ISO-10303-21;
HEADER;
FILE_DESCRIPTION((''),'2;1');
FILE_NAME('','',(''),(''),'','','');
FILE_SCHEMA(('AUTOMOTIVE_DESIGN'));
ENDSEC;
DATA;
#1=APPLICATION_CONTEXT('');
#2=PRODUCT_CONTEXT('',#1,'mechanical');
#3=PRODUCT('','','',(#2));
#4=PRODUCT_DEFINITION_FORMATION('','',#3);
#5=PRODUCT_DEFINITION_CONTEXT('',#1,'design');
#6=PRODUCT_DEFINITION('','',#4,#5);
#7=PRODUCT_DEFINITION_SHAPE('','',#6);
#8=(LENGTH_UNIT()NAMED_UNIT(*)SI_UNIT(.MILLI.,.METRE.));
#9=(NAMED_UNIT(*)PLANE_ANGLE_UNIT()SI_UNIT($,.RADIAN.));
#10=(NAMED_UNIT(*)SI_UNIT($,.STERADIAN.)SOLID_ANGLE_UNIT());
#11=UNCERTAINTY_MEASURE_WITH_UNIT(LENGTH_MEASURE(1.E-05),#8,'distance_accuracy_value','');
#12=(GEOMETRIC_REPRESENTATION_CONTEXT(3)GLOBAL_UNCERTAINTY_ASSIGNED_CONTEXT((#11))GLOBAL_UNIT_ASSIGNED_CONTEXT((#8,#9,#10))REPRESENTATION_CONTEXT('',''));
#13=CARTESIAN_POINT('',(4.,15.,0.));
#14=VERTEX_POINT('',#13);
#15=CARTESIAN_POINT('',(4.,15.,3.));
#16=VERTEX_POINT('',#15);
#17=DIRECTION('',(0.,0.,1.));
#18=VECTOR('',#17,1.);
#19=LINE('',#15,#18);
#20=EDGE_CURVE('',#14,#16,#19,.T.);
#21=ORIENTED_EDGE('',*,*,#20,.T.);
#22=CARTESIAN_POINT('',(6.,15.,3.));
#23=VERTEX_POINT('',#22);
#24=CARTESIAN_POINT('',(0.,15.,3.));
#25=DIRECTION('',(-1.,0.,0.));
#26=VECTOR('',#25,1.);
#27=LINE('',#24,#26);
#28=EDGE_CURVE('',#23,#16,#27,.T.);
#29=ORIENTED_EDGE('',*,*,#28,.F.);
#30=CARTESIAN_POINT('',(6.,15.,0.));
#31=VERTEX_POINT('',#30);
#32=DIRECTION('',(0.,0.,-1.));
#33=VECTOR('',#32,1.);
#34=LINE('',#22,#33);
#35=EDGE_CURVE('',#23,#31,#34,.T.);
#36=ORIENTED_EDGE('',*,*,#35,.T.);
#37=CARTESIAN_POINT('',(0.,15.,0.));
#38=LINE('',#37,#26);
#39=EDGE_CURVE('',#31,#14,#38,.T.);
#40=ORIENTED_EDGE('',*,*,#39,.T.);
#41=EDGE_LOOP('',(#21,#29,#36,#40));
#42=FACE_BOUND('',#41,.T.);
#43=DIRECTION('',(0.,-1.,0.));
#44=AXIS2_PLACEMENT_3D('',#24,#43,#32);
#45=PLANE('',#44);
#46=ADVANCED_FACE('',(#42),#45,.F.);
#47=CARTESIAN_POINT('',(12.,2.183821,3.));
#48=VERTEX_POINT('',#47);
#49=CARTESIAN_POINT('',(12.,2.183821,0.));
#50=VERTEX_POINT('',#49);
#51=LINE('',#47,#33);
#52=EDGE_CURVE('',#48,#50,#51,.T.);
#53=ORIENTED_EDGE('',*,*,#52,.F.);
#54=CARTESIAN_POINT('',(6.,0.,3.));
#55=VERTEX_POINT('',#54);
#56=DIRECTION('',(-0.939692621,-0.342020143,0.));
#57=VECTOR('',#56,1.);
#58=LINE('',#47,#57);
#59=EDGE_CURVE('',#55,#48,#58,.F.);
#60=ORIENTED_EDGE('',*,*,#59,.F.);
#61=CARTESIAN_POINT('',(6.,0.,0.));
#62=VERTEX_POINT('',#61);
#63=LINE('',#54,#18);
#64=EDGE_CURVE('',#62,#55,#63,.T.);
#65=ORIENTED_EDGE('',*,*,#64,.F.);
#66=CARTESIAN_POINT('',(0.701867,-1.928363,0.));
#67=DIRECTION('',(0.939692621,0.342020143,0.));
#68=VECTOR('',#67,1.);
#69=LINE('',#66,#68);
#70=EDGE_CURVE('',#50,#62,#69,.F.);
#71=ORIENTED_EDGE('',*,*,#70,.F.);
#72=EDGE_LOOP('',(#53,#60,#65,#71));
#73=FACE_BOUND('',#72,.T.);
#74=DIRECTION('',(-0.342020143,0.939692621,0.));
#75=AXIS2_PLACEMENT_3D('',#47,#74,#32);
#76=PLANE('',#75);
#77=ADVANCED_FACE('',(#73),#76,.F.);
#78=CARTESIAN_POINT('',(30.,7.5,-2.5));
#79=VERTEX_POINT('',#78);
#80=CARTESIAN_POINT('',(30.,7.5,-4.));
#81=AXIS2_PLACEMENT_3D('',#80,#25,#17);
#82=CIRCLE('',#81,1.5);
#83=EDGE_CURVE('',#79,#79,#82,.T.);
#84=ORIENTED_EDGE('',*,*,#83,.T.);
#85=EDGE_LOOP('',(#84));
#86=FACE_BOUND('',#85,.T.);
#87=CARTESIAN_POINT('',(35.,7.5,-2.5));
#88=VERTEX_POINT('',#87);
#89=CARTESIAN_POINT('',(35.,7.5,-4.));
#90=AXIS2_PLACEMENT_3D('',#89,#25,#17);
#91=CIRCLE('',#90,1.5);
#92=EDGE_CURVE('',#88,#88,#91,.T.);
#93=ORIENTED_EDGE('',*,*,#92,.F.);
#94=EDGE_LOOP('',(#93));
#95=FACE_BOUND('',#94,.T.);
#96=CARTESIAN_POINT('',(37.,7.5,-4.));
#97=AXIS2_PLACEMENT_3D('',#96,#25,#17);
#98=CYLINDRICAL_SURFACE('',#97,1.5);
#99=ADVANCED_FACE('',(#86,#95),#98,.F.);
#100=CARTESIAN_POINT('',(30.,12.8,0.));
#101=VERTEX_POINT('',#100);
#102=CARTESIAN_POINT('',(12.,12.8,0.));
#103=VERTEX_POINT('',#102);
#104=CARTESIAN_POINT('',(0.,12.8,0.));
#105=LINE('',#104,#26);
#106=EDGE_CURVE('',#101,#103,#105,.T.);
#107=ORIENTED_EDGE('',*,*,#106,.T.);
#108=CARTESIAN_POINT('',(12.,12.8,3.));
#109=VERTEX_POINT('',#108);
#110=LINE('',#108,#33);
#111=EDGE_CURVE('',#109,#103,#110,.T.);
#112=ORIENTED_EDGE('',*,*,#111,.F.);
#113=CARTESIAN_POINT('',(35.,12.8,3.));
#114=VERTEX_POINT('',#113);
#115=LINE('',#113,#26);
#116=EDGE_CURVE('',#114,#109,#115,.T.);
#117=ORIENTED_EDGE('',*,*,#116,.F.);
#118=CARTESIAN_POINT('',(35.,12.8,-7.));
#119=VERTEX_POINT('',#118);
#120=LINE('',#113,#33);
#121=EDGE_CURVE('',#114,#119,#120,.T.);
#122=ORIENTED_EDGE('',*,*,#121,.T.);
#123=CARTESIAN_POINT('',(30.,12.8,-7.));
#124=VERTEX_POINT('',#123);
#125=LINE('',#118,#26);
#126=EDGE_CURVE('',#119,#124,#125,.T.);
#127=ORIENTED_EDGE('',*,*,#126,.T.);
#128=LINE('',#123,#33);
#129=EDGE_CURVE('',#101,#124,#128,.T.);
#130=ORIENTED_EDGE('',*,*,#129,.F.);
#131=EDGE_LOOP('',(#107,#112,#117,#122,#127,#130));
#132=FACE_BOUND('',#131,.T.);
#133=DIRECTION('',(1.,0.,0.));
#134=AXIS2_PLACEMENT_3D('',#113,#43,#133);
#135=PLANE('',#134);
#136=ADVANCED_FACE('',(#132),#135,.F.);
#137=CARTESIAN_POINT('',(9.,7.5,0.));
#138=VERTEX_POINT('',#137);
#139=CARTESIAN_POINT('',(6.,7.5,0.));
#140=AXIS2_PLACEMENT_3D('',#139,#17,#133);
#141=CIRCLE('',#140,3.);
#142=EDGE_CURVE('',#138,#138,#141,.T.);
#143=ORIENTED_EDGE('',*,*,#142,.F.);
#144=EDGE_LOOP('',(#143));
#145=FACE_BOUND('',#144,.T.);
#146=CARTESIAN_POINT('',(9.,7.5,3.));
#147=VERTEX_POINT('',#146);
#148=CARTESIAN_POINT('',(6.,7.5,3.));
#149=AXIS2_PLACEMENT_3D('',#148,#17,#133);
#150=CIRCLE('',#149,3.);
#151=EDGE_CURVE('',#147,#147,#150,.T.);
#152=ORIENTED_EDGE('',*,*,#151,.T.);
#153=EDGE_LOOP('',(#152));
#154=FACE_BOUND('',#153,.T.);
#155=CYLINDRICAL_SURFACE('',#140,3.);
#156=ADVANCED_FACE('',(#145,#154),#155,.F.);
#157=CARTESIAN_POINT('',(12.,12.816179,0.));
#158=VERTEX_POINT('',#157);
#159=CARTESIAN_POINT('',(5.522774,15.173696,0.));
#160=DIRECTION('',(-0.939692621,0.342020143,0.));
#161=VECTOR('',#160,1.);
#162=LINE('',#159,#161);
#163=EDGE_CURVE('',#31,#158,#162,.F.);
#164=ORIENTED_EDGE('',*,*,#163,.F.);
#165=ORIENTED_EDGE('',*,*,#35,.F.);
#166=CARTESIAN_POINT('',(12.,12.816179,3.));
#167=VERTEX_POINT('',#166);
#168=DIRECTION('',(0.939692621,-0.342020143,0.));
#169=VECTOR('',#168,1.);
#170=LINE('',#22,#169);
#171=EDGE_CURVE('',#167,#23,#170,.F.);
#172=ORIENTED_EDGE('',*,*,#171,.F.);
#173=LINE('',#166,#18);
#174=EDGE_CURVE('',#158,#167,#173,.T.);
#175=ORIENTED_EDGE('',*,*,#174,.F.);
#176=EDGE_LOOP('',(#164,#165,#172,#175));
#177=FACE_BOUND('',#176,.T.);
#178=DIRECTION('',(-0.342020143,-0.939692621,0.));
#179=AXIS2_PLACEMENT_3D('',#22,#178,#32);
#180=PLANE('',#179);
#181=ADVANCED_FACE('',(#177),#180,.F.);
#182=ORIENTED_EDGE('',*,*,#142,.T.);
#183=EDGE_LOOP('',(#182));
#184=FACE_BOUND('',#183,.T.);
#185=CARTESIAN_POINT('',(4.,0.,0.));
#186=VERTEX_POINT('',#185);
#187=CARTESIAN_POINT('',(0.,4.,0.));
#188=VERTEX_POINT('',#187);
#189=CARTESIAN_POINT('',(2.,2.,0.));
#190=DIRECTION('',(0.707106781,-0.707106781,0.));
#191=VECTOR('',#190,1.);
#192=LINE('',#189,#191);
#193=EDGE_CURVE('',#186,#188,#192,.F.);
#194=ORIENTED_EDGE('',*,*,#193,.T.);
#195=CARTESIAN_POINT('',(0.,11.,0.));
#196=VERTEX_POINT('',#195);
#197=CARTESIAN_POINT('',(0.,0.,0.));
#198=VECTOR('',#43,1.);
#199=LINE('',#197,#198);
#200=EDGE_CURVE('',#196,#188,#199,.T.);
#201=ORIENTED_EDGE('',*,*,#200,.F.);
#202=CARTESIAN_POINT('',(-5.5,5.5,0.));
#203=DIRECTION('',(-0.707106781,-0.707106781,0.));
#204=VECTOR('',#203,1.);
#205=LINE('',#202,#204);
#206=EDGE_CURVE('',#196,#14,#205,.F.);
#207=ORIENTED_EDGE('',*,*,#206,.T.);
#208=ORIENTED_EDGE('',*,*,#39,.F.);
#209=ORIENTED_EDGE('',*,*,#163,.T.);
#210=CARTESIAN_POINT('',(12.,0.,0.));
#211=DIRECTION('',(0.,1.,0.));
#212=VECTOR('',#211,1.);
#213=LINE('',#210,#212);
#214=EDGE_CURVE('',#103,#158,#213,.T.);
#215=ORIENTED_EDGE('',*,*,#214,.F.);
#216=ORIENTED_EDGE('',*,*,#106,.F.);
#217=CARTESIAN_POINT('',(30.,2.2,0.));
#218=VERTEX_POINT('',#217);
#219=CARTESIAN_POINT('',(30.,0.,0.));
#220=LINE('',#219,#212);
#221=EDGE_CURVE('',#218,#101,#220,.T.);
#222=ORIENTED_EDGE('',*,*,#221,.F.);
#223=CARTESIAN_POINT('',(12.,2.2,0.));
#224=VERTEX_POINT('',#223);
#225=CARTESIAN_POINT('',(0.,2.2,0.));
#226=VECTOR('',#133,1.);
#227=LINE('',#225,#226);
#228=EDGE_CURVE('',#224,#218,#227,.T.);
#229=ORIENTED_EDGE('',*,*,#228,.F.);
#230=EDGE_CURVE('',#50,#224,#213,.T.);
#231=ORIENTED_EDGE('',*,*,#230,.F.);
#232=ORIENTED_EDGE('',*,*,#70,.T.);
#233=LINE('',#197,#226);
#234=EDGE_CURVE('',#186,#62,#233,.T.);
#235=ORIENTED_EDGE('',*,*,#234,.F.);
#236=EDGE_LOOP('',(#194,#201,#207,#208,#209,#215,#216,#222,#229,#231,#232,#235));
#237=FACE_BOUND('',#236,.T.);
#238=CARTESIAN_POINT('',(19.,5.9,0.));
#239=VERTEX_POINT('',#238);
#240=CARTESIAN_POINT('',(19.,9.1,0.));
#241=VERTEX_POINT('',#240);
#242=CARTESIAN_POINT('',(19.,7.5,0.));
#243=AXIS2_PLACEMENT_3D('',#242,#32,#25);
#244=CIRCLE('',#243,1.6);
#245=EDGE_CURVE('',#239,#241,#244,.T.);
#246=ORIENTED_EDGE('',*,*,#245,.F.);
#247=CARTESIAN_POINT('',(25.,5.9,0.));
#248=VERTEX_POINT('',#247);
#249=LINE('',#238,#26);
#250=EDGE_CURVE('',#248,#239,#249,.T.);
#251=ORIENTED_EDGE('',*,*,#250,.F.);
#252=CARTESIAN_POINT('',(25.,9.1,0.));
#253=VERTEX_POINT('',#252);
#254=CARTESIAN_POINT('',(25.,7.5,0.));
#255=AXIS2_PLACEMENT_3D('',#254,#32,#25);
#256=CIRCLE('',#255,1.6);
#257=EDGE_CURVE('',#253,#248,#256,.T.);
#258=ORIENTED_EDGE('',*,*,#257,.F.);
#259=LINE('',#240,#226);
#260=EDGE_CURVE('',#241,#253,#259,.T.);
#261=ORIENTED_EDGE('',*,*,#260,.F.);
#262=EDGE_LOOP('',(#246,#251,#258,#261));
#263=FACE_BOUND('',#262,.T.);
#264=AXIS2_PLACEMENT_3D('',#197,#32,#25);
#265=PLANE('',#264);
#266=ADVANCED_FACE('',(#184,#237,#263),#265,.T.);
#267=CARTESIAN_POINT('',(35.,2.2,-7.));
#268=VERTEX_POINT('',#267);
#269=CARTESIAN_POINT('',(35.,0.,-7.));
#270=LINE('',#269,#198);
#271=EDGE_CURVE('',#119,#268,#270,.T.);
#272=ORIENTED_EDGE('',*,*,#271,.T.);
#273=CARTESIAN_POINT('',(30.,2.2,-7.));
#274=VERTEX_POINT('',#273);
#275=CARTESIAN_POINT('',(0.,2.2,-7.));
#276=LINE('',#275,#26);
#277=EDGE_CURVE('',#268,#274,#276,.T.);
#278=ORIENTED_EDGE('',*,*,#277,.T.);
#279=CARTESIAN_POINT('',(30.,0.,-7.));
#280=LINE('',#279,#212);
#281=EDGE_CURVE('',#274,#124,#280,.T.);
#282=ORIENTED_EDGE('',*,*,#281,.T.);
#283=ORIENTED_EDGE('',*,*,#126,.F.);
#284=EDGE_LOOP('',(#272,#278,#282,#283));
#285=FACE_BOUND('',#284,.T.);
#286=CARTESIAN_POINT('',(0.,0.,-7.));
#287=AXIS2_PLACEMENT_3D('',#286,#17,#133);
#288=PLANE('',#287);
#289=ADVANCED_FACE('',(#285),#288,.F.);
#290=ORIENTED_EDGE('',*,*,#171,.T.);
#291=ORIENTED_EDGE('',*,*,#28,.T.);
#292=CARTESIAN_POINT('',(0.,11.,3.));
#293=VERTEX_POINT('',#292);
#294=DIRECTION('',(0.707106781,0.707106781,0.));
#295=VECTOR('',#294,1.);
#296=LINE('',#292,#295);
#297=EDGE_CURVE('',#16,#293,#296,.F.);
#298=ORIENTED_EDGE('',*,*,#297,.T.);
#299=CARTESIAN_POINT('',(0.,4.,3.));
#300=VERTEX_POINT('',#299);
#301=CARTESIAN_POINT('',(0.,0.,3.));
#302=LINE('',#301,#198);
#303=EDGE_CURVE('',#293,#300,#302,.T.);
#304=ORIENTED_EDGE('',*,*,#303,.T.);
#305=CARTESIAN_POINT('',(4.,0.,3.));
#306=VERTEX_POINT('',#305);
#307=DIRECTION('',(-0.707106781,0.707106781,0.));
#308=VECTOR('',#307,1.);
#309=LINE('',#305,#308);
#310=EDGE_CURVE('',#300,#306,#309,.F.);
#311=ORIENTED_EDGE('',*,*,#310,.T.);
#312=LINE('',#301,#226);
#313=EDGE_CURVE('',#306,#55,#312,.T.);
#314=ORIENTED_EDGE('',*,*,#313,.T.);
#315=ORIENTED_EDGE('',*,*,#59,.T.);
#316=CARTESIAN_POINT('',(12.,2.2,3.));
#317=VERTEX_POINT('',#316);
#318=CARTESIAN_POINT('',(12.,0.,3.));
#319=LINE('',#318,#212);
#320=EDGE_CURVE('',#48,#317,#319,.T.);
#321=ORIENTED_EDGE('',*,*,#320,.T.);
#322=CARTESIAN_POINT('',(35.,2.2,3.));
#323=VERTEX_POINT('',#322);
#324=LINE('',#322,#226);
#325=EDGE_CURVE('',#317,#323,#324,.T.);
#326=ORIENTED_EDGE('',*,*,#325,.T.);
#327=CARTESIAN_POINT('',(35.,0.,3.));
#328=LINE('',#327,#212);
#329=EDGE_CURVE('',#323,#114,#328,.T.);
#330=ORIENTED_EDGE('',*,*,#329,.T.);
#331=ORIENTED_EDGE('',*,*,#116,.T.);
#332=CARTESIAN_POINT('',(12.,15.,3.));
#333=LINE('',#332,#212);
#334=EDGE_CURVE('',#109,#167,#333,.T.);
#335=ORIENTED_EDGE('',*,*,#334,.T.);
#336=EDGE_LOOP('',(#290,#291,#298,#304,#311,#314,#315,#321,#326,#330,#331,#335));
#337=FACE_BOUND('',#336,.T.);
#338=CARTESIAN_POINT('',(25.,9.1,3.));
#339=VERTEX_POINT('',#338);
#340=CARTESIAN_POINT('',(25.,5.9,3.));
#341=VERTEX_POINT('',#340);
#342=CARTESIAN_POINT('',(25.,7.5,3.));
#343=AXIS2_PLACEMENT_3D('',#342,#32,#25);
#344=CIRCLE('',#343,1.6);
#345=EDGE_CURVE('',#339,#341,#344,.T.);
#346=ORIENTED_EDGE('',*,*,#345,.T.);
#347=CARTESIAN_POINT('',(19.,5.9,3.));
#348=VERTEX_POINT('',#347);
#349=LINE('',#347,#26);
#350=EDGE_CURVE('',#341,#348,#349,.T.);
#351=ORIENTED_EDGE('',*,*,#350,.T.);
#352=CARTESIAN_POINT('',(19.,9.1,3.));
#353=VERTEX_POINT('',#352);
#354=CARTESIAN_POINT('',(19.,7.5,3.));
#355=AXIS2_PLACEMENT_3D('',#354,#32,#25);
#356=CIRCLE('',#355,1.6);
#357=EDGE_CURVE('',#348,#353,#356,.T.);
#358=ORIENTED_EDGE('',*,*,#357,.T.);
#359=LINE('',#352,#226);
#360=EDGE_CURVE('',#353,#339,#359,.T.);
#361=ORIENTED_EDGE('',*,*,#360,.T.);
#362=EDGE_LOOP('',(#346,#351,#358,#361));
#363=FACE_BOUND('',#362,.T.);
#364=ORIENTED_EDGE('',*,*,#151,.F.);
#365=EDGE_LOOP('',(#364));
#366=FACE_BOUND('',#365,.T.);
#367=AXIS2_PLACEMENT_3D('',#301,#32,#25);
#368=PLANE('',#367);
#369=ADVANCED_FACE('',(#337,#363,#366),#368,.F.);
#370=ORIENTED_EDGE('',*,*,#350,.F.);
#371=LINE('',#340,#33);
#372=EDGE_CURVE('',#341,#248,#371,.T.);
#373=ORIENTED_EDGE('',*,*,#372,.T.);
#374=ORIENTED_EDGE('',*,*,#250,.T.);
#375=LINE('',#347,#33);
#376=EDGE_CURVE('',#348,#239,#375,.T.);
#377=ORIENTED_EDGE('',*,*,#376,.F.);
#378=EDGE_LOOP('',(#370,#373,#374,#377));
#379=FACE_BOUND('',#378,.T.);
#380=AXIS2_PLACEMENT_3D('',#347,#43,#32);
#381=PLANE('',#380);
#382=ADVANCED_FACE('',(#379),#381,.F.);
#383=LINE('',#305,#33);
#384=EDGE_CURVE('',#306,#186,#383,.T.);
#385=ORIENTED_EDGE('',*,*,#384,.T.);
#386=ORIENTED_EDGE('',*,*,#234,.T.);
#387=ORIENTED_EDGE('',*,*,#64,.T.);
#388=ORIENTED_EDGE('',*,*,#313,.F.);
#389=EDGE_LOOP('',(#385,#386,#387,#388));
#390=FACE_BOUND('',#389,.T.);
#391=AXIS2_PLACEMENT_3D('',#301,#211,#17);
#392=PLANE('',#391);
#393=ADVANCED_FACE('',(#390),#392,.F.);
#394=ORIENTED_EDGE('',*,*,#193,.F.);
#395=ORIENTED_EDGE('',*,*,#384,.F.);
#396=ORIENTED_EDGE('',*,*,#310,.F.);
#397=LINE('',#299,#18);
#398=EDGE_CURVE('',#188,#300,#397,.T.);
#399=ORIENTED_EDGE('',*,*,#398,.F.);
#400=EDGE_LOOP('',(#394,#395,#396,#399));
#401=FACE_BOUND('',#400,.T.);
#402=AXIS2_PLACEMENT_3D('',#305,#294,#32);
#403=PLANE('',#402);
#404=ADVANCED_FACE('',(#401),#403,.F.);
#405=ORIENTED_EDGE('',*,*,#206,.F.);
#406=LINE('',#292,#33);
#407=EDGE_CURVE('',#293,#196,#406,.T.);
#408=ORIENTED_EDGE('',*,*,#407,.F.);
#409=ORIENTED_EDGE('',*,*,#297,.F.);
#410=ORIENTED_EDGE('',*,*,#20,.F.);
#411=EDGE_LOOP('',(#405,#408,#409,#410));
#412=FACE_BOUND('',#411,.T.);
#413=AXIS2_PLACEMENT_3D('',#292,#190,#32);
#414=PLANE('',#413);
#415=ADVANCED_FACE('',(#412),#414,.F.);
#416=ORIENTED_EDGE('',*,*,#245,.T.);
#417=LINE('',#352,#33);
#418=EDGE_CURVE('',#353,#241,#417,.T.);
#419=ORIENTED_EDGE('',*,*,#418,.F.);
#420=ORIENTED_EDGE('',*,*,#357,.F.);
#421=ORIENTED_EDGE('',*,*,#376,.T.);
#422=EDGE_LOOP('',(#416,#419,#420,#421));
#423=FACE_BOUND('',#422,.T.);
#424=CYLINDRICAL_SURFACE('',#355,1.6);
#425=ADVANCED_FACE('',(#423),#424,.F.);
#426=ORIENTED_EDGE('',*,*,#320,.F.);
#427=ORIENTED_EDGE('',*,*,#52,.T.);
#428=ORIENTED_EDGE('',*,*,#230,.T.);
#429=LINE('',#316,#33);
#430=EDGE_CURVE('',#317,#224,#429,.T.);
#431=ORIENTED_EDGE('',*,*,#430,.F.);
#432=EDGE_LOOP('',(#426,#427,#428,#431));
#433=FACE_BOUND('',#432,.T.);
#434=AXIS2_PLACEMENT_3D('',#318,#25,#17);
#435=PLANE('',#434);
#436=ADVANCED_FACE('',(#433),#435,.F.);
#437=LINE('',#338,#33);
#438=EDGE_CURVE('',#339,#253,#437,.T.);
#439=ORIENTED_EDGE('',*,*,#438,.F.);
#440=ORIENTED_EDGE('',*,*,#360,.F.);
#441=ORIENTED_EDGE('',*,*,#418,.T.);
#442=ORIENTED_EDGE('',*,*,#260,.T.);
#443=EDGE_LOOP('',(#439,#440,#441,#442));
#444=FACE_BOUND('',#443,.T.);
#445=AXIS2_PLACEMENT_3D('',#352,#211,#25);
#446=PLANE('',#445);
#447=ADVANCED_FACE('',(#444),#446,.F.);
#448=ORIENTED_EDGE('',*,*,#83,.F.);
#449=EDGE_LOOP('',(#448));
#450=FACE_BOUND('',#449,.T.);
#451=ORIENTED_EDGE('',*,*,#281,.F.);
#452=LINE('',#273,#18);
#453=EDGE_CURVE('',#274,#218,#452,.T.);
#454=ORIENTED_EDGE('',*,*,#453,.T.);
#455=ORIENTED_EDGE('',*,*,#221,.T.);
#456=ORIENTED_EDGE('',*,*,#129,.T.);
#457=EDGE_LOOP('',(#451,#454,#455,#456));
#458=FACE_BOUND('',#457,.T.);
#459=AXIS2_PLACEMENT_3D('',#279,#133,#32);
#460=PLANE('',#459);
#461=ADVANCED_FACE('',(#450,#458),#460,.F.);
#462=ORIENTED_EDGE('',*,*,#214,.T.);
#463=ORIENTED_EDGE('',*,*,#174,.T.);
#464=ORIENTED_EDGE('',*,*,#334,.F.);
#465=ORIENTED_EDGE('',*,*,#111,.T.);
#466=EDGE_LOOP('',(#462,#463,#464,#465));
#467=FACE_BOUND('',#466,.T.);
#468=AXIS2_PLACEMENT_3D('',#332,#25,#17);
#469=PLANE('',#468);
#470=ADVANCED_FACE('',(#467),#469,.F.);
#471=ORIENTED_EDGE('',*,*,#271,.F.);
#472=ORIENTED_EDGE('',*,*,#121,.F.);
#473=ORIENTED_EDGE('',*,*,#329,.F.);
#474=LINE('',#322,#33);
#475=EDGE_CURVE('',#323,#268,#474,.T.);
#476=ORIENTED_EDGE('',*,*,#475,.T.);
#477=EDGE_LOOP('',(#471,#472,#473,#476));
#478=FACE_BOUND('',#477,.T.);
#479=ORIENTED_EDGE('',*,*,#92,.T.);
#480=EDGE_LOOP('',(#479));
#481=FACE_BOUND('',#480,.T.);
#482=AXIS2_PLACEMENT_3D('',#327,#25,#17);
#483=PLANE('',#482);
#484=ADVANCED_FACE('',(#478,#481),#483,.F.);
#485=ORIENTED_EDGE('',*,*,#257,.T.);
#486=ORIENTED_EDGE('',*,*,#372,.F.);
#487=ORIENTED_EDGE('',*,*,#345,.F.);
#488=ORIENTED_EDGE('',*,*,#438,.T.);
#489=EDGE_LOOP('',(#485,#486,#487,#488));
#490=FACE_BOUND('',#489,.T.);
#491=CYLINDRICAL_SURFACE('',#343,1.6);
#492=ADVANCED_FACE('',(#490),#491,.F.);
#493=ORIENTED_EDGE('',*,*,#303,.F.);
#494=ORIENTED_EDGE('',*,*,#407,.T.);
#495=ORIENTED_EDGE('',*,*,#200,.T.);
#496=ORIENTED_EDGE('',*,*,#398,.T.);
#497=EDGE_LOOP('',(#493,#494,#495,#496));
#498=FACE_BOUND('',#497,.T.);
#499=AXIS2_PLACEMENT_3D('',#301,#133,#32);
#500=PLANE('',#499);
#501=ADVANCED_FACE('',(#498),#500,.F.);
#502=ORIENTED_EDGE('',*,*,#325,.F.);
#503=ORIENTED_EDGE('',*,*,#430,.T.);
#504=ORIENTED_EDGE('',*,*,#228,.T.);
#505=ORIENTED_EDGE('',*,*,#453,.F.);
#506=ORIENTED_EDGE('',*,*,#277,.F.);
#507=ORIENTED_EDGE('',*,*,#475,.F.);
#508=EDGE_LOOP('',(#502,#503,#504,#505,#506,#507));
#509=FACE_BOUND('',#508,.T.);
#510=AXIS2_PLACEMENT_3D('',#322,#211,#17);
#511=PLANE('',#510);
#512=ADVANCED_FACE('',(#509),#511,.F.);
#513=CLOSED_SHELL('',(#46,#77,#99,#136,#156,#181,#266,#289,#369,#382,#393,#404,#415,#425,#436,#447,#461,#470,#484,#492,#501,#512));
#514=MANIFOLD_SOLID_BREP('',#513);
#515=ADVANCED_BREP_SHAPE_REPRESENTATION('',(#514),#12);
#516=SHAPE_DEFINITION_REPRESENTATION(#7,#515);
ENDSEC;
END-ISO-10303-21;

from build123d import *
from OCP.BRepFilletAPI import BRepFilletAPI_MakeChamfer

# Parameters (mm, degrees)
ESQUISSE1_W             = 35
ESQUISSE1_H             = 15
BOSS_EXTRU_1_DEPTH      = 3
ESQUISSE4_R             = 3
ENL_V_MAT_EXTRU_1_DEPTH = 39.19685851
CHANFREIN1_SIZE         = 4
ENL_V_MAT_EXTRU_2_DEPTH = 39.19685851
ESQUISSE6_W             = 5
ESQUISSE6_H             = 15
BOSS_EXTRU_2_DEPTH      = 7
ESQUISSE7_W             = 23
ESQUISSE7_H             = 2.2
ENL_V_MAT_EXTRU_3_DEPTH = 40.37003937
CHANFREIN2_SIZE         = 6
CHANFREIN2_SIZE2        = 2.183821406
ESQUISSE8_R             = 1.5
ENL_V_MAT_EXTRU_4_DEPTH = 7


with BuildPart() as part:
    # Esquisse1 → Boss.-Extru.1 (new body)
    with BuildSketch(Plane.XY):
        with Locations((17.5, 7.5)):
            Rectangle(ESQUISSE1_W, ESQUISSE1_H)
    extrude(amount=BOSS_EXTRU_1_DEPTH)

    # Esquisse4 → Enlèv. mat.-Extru.1 (cut, through all)
    with BuildSketch(Plane.XY.offset(3)):
        with Locations((6, 7.5)):
            Circle(ESQUISSE4_R)
    extrude(amount=-ENL_V_MAT_EXTRU_1_DEPTH, mode=Mode.SUBTRACT)

    # Chanfrein1
    chanfrein1_edges = [part.edges().sort_by_distance(p)[0] for p in [
        (0, 15, 1.5),
        (0, 0, 1.5),
    ]]
    chamfer(chanfrein1_edges, length=CHANFREIN1_SIZE)

    # Esquisse5 → Enlèv. mat.-Extru.2 (cut, through all)
    with BuildSketch(Plane(origin=(0, 0, 0), x_dir=(-1, 0, 0), z_dir=(0, 0, -1))):
        with BuildLine():
            Line((-19, 5.9), (-25, 5.9))
            ThreePointArc((-25, 5.9), (-26.6, 7.5), (-25, 9.1))
            Line((-25, 9.1), (-19, 9.1))
            ThreePointArc((-19, 9.1), (-17.4, 7.5), (-19, 5.9))
        make_face()
    extrude(amount=-ENL_V_MAT_EXTRU_2_DEPTH, mode=Mode.SUBTRACT)

    # Esquisse6 → Boss.-Extru.2 (add)
    with BuildSketch(Plane(origin=(0, 0, 0), x_dir=(-1, 0, 0), z_dir=(0, 0, -1))):
        with Locations((-32.5, 7.5)):
            Rectangle(ESQUISSE6_W, ESQUISSE6_H)
    extrude(amount=BOSS_EXTRU_2_DEPTH)

    # Esquisse7 → Enlèv. mat.-Extru.3 (cut, through all)
    with BuildSketch(Plane(origin=(0, 0, -7), x_dir=(-1, 0, 0), z_dir=(0, 0, -1))):
        with Locations((-23.5, 1.1)):
            Rectangle(ESQUISSE7_W, ESQUISSE7_H)
        with Locations((-23.5, 13.9)):
            Rectangle(ESQUISSE7_W, ESQUISSE7_H)
    extrude(amount=-ENL_V_MAT_EXTRU_3_DEPTH, mode=Mode.SUBTRACT)

    # Chanfrein2: one chamfer whose edges measure the first distance from different faces: ONE call of the kernel's chamfer builder (chamfer() names one face for all edges)
    chanfrein2_edges_1 = [part.edges().sort_by_distance(p)[0] for p in [
        (12, 0, 1.5),
    ]]
    chanfrein2_side_1 = [part.faces().sort_by_distance(p)[0] for p in [
        (8, 0, 1.5),
    ]]
    chanfrein2_edges_2 = [part.edges().sort_by_distance(p)[0] for p in [
        (12, 15, 1.5),
    ]]
    chanfrein2_side_2 = [part.faces().sort_by_distance(p)[0] for p in [
        (8, 15, 1.5),
    ]]
    chanfrein2 = BRepFilletAPI_MakeChamfer(part.part.solid().wrapped)
    for e in chanfrein2_edges_1:
        chanfrein2.Add(CHANFREIN2_SIZE, CHANFREIN2_SIZE2, e.wrapped, chanfrein2_side_1[0].wrapped)  # the first distance lies on this face
    for e in chanfrein2_edges_2:
        chanfrein2.Add(CHANFREIN2_SIZE, CHANFREIN2_SIZE2, e.wrapped, chanfrein2_side_2[0].wrapped)  # the first distance lies on this face
    add(Compound.cast(chanfrein2.Shape()), mode=Mode.REPLACE)

    # Esquisse8 → Enlèv. mat.-Extru.4 (cut)
    with BuildSketch(Plane.ZY.offset(-30)):
        with Locations((-4, 7.5)):
            Circle(ESQUISSE8_R)
    extrude(amount=-ENL_V_MAT_EXTRU_4_DEPTH, mode=Mode.SUBTRACT)


solid = part.part
